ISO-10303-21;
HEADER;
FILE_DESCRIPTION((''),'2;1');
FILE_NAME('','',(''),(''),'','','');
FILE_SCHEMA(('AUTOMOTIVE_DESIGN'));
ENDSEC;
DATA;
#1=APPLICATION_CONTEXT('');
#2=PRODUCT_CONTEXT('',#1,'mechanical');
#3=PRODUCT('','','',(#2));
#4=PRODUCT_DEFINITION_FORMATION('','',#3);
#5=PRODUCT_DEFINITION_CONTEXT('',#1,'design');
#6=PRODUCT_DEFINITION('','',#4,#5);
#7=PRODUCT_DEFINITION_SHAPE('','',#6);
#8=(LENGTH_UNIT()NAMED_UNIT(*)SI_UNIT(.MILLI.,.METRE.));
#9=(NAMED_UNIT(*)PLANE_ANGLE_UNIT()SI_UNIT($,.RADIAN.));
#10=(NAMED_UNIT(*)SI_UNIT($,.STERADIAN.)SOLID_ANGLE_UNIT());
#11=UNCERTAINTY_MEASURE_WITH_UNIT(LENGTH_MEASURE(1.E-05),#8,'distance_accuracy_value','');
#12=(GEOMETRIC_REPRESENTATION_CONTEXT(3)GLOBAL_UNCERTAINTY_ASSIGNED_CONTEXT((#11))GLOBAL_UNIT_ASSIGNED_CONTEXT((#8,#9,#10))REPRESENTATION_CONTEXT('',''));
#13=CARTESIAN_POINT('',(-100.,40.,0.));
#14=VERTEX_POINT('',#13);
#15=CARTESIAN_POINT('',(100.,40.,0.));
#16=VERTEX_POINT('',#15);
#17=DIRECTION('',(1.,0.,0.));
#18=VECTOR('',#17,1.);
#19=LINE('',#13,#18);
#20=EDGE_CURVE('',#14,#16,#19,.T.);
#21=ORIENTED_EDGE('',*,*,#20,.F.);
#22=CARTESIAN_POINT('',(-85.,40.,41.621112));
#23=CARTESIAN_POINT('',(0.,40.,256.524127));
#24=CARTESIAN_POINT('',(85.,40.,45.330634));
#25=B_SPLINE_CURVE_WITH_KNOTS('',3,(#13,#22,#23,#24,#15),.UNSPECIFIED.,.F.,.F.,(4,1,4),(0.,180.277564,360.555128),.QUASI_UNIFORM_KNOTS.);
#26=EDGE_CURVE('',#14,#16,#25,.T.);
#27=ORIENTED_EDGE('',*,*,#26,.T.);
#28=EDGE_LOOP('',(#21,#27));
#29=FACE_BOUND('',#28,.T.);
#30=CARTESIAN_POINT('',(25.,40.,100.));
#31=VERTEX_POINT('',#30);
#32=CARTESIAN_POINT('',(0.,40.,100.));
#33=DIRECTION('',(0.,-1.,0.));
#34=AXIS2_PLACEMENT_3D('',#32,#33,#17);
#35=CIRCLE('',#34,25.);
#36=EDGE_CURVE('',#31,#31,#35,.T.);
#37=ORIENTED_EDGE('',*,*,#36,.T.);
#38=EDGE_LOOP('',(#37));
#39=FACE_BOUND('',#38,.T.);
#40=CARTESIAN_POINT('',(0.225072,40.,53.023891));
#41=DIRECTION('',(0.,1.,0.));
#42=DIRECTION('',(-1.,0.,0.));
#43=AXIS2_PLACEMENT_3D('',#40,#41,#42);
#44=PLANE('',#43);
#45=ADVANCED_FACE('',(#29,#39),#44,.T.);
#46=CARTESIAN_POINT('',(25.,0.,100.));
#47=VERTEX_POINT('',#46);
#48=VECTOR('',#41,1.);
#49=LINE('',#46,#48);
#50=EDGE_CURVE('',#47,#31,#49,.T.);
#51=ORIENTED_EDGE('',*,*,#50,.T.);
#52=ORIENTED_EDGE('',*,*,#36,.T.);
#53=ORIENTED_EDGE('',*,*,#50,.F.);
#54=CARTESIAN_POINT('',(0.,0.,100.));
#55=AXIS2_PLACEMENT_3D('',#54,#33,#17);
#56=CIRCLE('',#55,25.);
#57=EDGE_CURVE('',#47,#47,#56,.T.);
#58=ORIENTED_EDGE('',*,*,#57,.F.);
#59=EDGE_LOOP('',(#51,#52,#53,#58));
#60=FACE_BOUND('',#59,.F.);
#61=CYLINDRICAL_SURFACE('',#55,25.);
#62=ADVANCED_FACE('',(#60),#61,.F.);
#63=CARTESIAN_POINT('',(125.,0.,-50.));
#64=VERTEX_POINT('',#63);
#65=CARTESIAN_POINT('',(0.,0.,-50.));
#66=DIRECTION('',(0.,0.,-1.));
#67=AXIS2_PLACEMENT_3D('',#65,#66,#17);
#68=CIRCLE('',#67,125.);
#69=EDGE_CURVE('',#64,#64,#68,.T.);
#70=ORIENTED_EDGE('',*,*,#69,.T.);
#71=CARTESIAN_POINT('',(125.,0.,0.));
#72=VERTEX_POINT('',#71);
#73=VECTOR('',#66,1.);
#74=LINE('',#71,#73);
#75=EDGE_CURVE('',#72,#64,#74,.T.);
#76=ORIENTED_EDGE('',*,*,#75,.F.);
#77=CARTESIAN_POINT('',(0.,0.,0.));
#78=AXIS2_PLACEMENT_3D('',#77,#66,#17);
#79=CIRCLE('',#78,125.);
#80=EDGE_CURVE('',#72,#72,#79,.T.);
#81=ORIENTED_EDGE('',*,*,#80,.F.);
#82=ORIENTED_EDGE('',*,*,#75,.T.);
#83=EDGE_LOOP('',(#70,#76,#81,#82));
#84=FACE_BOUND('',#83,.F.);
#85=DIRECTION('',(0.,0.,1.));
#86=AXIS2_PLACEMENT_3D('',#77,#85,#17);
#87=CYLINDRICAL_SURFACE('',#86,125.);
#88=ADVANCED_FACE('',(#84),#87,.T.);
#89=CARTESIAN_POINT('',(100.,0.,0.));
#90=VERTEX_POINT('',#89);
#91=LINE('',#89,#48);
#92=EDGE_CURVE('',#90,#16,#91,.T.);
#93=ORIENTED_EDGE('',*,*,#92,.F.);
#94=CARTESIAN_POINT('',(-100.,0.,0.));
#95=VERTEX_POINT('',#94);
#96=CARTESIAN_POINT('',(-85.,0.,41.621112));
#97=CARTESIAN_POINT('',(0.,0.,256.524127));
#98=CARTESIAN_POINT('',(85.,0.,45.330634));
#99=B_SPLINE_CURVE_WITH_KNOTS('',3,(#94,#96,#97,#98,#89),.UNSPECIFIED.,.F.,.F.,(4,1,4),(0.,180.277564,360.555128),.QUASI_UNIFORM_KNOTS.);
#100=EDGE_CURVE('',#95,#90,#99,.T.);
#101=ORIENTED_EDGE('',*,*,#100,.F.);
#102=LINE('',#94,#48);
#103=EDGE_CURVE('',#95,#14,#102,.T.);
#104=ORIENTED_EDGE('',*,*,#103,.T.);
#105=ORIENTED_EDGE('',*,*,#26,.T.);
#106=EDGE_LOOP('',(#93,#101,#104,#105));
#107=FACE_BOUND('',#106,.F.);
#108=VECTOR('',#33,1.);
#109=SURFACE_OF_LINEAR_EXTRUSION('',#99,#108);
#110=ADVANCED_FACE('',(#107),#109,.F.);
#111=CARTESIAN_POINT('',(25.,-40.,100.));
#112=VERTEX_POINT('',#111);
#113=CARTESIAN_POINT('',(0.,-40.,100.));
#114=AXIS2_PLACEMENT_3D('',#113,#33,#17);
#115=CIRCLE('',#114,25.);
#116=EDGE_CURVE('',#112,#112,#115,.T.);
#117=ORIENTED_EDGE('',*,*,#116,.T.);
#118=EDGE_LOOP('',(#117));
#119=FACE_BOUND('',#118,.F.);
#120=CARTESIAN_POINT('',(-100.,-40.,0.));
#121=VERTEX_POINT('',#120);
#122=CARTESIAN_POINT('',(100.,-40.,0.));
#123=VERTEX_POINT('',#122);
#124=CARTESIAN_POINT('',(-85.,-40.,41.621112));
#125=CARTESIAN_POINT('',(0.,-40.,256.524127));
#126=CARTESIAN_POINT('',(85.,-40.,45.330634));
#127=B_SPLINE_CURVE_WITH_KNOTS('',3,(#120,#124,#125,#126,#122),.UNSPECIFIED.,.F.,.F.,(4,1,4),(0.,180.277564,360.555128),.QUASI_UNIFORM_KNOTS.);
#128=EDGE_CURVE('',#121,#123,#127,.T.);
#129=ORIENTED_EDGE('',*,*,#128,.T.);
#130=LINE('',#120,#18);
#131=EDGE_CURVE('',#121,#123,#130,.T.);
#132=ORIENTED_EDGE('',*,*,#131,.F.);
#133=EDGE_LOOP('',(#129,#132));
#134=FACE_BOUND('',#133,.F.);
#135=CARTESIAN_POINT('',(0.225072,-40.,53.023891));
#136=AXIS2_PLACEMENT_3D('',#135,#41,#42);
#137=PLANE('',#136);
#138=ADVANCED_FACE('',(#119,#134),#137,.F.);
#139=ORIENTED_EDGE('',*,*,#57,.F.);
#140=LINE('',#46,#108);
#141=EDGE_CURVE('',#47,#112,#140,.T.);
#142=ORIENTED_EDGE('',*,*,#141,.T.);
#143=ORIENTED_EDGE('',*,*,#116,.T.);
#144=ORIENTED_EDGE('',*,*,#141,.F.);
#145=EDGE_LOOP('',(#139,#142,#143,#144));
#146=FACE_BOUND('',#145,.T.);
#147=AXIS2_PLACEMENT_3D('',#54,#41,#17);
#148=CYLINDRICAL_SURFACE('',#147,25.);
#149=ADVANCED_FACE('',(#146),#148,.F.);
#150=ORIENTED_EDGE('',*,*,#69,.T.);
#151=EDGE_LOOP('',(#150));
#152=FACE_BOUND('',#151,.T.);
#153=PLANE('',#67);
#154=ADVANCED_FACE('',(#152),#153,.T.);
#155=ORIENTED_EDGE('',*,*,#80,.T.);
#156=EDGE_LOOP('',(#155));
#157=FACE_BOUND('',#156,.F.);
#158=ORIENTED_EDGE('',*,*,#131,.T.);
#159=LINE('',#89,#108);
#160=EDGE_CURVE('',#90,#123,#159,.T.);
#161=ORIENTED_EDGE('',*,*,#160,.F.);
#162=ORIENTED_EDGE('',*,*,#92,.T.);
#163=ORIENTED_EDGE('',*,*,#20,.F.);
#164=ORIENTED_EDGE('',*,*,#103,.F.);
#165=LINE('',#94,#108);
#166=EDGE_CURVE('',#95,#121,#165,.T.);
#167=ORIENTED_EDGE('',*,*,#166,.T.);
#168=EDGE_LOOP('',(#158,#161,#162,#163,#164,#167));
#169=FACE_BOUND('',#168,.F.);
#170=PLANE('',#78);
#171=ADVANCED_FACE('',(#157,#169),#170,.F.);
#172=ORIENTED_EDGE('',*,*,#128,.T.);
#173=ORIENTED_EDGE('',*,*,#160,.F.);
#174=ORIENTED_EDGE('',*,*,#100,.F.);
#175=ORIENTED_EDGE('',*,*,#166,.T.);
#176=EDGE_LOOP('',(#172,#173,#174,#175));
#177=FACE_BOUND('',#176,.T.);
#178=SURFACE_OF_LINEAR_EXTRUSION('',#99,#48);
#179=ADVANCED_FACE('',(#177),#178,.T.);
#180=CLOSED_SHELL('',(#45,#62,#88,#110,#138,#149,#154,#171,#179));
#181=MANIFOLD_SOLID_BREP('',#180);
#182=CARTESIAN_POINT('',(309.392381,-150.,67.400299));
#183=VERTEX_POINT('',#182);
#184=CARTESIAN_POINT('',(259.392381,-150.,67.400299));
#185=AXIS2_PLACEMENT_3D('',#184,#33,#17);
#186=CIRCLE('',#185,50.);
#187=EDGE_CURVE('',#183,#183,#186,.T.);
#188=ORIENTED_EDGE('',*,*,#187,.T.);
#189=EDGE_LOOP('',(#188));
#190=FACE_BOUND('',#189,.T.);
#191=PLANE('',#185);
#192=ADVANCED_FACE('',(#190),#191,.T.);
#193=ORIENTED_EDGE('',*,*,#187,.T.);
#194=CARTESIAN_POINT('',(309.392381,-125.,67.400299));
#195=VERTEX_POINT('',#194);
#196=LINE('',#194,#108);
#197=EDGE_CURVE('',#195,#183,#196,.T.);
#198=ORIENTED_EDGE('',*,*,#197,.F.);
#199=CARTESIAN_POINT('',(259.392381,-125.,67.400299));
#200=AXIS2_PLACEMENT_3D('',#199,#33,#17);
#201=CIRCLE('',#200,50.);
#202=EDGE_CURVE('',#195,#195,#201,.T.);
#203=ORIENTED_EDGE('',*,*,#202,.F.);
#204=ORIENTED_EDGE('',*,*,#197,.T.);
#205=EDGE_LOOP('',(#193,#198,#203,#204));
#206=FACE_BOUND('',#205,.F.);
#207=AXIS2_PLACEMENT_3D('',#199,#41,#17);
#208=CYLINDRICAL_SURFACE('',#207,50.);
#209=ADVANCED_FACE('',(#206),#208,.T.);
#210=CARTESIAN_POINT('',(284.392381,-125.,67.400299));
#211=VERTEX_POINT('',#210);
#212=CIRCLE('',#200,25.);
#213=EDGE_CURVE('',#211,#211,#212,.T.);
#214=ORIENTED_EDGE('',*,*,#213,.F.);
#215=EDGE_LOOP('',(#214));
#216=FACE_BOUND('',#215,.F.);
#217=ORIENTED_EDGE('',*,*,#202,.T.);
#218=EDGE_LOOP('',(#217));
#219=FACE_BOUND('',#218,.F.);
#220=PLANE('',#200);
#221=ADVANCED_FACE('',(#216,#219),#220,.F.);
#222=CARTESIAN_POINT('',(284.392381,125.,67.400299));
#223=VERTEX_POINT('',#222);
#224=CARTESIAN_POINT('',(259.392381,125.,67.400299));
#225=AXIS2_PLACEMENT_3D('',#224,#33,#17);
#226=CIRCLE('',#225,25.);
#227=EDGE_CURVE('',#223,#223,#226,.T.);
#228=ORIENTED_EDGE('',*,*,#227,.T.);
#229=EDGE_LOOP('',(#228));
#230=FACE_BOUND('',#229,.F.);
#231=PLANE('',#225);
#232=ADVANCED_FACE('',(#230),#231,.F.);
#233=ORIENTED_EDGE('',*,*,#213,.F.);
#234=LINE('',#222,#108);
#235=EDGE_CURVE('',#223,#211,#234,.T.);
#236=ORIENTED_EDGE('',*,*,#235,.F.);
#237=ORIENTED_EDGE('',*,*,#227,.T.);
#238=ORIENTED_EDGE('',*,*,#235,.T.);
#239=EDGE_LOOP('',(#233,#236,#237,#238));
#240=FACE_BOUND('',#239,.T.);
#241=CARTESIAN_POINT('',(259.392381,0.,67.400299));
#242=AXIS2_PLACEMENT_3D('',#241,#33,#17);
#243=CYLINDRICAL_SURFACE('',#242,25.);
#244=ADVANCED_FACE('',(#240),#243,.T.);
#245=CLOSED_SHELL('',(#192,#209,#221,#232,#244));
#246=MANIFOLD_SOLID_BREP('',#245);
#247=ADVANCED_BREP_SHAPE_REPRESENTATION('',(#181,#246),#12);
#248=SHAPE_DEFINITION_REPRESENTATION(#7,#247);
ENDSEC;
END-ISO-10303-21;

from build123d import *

# Parameters (mm, degrees)
F0_R     = 25
F1_DEPTH = 40
F2_R     = 125
F3_DEPTH = 50
F4_R     = 25
F5_DEPTH = 125
F6_R     = 50
F7_DEPTH = 25


with BuildPart() as f1:
    # F0 (on Front) → F1 (new body, symmetric)
    with BuildSketch(Plane.XZ):
        with BuildLine():
            add(Edge.make_bspline(
                [(-100, 0), (-85, 41.621112), (0, 256.524127), (85, 45.330634), (100, 0)],
                knots=[0, 0, 0, 0, 180.277564, 360.555128, 360.555128, 360.555128, 360.555128], degree=3))
            Line((-100, 0), (100, 0))
        make_face()
        with Locations((0, 100)):
            Circle(F0_R, mode=Mode.SUBTRACT)
    extrude(amount=F1_DEPTH, both=True)

    # F2 (on face) → F3 (join)
    with BuildSketch(Plane(origin=(0, 0, 0), x_dir=(1, 0, 0), z_dir=(0, 0, -1))):
        Circle(F2_R)
        Polygon((100, 0), (100, -40), (-100, -40), (-100, 0), (-100, 40), (100, 40), align=None, mode=Mode.SUBTRACT)
        Polygon((-100, -40), (100, -40), (100, 0), (100, 40), (-100, 40), (-100, 0), align=None)
    extrude(amount=F3_DEPTH)


with BuildPart() as f5:
    # F4 (on Front) → F5 (new body, symmetric)
    with BuildSketch(Plane.XZ):
        with Locations((259.392381, 67.400299)):
            Circle(F4_R)
    extrude(amount=F5_DEPTH, both=True)

    # F6 (on face) → F7 (join)
    with BuildSketch(Plane.XZ.offset(125)):
        with Locations((259.392381, 67.400299)):
            Circle(F6_R)
    extrude(amount=F7_DEPTH)


solid = Compound([f1.part, f5.part])
